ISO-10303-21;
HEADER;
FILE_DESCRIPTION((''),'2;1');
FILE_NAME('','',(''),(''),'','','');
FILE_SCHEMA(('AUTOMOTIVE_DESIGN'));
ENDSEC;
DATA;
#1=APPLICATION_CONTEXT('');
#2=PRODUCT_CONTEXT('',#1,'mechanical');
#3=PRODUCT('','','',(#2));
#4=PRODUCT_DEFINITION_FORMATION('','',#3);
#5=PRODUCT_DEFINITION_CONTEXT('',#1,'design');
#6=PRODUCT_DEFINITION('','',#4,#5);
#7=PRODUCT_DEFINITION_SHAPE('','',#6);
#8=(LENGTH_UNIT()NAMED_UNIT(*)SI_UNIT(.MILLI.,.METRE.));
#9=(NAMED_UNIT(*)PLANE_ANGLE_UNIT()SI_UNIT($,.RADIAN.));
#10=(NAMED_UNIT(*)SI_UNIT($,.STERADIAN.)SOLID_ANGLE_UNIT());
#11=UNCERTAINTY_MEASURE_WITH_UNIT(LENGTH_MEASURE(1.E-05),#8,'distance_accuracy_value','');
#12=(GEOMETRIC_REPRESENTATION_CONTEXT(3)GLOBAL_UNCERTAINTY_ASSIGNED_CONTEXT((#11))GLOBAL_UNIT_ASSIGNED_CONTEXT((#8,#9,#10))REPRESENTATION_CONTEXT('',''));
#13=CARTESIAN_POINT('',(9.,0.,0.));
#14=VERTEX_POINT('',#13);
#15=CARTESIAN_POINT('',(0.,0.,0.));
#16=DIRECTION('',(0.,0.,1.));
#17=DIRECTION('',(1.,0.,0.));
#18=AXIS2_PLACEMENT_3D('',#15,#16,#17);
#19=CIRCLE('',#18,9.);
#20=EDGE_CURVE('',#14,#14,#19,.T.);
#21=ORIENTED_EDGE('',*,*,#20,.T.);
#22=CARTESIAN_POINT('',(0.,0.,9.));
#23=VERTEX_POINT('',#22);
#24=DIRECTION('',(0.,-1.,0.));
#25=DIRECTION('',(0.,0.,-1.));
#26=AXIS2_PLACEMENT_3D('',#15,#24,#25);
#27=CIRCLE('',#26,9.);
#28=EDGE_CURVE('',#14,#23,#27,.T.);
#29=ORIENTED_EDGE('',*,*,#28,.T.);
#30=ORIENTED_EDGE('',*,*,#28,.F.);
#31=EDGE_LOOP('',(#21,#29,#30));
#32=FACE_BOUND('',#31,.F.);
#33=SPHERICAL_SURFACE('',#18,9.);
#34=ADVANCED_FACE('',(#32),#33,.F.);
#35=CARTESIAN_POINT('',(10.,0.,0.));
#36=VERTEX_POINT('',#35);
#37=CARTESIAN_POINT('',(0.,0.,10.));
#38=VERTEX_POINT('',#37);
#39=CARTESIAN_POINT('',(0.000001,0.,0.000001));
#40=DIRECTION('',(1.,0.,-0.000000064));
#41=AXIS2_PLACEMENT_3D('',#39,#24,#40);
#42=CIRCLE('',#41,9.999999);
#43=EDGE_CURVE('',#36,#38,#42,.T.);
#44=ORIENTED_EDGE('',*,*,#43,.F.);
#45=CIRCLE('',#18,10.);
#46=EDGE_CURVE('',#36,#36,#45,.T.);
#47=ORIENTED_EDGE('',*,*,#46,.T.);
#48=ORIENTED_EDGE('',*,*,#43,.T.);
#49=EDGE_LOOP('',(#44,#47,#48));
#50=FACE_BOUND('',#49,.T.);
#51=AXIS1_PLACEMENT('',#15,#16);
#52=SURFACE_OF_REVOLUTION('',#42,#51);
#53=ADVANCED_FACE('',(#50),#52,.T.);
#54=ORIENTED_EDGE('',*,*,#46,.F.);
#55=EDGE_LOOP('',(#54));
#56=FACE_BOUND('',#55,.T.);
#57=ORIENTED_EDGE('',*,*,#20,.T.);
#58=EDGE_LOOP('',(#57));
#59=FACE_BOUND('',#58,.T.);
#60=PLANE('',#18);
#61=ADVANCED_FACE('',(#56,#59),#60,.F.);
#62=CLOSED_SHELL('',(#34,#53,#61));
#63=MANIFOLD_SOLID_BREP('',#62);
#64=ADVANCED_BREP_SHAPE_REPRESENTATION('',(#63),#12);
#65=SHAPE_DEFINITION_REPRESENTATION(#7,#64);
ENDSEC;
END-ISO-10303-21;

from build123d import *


with BuildPart() as part:
    # Sphere → Sphere (revolve)
    with BuildSketch(Plane.XZ):
        with BuildLine():
            ThreePointArc((10, 0), (7.071068, 7.071068), (0, 10))
            Line((0, 10), (0, 0))
            Line((0, 0), (10, 0))
        make_face()
    revolve(axis=Axis((0, 0, 0), (0, 0, 1)))

    # Sphere001 → Sphere001 (revolve, cut)
    with BuildSketch(Plane.XZ):
        with BuildLine():
            ThreePointArc((0, -9), (9, 0), (0, 9))
            Line((0, 9), (0, -9))
        make_face()
    revolve(axis=Axis((0, 0, 0), (0, 0, 1)), mode=Mode.SUBTRACT)


solid = part.part
